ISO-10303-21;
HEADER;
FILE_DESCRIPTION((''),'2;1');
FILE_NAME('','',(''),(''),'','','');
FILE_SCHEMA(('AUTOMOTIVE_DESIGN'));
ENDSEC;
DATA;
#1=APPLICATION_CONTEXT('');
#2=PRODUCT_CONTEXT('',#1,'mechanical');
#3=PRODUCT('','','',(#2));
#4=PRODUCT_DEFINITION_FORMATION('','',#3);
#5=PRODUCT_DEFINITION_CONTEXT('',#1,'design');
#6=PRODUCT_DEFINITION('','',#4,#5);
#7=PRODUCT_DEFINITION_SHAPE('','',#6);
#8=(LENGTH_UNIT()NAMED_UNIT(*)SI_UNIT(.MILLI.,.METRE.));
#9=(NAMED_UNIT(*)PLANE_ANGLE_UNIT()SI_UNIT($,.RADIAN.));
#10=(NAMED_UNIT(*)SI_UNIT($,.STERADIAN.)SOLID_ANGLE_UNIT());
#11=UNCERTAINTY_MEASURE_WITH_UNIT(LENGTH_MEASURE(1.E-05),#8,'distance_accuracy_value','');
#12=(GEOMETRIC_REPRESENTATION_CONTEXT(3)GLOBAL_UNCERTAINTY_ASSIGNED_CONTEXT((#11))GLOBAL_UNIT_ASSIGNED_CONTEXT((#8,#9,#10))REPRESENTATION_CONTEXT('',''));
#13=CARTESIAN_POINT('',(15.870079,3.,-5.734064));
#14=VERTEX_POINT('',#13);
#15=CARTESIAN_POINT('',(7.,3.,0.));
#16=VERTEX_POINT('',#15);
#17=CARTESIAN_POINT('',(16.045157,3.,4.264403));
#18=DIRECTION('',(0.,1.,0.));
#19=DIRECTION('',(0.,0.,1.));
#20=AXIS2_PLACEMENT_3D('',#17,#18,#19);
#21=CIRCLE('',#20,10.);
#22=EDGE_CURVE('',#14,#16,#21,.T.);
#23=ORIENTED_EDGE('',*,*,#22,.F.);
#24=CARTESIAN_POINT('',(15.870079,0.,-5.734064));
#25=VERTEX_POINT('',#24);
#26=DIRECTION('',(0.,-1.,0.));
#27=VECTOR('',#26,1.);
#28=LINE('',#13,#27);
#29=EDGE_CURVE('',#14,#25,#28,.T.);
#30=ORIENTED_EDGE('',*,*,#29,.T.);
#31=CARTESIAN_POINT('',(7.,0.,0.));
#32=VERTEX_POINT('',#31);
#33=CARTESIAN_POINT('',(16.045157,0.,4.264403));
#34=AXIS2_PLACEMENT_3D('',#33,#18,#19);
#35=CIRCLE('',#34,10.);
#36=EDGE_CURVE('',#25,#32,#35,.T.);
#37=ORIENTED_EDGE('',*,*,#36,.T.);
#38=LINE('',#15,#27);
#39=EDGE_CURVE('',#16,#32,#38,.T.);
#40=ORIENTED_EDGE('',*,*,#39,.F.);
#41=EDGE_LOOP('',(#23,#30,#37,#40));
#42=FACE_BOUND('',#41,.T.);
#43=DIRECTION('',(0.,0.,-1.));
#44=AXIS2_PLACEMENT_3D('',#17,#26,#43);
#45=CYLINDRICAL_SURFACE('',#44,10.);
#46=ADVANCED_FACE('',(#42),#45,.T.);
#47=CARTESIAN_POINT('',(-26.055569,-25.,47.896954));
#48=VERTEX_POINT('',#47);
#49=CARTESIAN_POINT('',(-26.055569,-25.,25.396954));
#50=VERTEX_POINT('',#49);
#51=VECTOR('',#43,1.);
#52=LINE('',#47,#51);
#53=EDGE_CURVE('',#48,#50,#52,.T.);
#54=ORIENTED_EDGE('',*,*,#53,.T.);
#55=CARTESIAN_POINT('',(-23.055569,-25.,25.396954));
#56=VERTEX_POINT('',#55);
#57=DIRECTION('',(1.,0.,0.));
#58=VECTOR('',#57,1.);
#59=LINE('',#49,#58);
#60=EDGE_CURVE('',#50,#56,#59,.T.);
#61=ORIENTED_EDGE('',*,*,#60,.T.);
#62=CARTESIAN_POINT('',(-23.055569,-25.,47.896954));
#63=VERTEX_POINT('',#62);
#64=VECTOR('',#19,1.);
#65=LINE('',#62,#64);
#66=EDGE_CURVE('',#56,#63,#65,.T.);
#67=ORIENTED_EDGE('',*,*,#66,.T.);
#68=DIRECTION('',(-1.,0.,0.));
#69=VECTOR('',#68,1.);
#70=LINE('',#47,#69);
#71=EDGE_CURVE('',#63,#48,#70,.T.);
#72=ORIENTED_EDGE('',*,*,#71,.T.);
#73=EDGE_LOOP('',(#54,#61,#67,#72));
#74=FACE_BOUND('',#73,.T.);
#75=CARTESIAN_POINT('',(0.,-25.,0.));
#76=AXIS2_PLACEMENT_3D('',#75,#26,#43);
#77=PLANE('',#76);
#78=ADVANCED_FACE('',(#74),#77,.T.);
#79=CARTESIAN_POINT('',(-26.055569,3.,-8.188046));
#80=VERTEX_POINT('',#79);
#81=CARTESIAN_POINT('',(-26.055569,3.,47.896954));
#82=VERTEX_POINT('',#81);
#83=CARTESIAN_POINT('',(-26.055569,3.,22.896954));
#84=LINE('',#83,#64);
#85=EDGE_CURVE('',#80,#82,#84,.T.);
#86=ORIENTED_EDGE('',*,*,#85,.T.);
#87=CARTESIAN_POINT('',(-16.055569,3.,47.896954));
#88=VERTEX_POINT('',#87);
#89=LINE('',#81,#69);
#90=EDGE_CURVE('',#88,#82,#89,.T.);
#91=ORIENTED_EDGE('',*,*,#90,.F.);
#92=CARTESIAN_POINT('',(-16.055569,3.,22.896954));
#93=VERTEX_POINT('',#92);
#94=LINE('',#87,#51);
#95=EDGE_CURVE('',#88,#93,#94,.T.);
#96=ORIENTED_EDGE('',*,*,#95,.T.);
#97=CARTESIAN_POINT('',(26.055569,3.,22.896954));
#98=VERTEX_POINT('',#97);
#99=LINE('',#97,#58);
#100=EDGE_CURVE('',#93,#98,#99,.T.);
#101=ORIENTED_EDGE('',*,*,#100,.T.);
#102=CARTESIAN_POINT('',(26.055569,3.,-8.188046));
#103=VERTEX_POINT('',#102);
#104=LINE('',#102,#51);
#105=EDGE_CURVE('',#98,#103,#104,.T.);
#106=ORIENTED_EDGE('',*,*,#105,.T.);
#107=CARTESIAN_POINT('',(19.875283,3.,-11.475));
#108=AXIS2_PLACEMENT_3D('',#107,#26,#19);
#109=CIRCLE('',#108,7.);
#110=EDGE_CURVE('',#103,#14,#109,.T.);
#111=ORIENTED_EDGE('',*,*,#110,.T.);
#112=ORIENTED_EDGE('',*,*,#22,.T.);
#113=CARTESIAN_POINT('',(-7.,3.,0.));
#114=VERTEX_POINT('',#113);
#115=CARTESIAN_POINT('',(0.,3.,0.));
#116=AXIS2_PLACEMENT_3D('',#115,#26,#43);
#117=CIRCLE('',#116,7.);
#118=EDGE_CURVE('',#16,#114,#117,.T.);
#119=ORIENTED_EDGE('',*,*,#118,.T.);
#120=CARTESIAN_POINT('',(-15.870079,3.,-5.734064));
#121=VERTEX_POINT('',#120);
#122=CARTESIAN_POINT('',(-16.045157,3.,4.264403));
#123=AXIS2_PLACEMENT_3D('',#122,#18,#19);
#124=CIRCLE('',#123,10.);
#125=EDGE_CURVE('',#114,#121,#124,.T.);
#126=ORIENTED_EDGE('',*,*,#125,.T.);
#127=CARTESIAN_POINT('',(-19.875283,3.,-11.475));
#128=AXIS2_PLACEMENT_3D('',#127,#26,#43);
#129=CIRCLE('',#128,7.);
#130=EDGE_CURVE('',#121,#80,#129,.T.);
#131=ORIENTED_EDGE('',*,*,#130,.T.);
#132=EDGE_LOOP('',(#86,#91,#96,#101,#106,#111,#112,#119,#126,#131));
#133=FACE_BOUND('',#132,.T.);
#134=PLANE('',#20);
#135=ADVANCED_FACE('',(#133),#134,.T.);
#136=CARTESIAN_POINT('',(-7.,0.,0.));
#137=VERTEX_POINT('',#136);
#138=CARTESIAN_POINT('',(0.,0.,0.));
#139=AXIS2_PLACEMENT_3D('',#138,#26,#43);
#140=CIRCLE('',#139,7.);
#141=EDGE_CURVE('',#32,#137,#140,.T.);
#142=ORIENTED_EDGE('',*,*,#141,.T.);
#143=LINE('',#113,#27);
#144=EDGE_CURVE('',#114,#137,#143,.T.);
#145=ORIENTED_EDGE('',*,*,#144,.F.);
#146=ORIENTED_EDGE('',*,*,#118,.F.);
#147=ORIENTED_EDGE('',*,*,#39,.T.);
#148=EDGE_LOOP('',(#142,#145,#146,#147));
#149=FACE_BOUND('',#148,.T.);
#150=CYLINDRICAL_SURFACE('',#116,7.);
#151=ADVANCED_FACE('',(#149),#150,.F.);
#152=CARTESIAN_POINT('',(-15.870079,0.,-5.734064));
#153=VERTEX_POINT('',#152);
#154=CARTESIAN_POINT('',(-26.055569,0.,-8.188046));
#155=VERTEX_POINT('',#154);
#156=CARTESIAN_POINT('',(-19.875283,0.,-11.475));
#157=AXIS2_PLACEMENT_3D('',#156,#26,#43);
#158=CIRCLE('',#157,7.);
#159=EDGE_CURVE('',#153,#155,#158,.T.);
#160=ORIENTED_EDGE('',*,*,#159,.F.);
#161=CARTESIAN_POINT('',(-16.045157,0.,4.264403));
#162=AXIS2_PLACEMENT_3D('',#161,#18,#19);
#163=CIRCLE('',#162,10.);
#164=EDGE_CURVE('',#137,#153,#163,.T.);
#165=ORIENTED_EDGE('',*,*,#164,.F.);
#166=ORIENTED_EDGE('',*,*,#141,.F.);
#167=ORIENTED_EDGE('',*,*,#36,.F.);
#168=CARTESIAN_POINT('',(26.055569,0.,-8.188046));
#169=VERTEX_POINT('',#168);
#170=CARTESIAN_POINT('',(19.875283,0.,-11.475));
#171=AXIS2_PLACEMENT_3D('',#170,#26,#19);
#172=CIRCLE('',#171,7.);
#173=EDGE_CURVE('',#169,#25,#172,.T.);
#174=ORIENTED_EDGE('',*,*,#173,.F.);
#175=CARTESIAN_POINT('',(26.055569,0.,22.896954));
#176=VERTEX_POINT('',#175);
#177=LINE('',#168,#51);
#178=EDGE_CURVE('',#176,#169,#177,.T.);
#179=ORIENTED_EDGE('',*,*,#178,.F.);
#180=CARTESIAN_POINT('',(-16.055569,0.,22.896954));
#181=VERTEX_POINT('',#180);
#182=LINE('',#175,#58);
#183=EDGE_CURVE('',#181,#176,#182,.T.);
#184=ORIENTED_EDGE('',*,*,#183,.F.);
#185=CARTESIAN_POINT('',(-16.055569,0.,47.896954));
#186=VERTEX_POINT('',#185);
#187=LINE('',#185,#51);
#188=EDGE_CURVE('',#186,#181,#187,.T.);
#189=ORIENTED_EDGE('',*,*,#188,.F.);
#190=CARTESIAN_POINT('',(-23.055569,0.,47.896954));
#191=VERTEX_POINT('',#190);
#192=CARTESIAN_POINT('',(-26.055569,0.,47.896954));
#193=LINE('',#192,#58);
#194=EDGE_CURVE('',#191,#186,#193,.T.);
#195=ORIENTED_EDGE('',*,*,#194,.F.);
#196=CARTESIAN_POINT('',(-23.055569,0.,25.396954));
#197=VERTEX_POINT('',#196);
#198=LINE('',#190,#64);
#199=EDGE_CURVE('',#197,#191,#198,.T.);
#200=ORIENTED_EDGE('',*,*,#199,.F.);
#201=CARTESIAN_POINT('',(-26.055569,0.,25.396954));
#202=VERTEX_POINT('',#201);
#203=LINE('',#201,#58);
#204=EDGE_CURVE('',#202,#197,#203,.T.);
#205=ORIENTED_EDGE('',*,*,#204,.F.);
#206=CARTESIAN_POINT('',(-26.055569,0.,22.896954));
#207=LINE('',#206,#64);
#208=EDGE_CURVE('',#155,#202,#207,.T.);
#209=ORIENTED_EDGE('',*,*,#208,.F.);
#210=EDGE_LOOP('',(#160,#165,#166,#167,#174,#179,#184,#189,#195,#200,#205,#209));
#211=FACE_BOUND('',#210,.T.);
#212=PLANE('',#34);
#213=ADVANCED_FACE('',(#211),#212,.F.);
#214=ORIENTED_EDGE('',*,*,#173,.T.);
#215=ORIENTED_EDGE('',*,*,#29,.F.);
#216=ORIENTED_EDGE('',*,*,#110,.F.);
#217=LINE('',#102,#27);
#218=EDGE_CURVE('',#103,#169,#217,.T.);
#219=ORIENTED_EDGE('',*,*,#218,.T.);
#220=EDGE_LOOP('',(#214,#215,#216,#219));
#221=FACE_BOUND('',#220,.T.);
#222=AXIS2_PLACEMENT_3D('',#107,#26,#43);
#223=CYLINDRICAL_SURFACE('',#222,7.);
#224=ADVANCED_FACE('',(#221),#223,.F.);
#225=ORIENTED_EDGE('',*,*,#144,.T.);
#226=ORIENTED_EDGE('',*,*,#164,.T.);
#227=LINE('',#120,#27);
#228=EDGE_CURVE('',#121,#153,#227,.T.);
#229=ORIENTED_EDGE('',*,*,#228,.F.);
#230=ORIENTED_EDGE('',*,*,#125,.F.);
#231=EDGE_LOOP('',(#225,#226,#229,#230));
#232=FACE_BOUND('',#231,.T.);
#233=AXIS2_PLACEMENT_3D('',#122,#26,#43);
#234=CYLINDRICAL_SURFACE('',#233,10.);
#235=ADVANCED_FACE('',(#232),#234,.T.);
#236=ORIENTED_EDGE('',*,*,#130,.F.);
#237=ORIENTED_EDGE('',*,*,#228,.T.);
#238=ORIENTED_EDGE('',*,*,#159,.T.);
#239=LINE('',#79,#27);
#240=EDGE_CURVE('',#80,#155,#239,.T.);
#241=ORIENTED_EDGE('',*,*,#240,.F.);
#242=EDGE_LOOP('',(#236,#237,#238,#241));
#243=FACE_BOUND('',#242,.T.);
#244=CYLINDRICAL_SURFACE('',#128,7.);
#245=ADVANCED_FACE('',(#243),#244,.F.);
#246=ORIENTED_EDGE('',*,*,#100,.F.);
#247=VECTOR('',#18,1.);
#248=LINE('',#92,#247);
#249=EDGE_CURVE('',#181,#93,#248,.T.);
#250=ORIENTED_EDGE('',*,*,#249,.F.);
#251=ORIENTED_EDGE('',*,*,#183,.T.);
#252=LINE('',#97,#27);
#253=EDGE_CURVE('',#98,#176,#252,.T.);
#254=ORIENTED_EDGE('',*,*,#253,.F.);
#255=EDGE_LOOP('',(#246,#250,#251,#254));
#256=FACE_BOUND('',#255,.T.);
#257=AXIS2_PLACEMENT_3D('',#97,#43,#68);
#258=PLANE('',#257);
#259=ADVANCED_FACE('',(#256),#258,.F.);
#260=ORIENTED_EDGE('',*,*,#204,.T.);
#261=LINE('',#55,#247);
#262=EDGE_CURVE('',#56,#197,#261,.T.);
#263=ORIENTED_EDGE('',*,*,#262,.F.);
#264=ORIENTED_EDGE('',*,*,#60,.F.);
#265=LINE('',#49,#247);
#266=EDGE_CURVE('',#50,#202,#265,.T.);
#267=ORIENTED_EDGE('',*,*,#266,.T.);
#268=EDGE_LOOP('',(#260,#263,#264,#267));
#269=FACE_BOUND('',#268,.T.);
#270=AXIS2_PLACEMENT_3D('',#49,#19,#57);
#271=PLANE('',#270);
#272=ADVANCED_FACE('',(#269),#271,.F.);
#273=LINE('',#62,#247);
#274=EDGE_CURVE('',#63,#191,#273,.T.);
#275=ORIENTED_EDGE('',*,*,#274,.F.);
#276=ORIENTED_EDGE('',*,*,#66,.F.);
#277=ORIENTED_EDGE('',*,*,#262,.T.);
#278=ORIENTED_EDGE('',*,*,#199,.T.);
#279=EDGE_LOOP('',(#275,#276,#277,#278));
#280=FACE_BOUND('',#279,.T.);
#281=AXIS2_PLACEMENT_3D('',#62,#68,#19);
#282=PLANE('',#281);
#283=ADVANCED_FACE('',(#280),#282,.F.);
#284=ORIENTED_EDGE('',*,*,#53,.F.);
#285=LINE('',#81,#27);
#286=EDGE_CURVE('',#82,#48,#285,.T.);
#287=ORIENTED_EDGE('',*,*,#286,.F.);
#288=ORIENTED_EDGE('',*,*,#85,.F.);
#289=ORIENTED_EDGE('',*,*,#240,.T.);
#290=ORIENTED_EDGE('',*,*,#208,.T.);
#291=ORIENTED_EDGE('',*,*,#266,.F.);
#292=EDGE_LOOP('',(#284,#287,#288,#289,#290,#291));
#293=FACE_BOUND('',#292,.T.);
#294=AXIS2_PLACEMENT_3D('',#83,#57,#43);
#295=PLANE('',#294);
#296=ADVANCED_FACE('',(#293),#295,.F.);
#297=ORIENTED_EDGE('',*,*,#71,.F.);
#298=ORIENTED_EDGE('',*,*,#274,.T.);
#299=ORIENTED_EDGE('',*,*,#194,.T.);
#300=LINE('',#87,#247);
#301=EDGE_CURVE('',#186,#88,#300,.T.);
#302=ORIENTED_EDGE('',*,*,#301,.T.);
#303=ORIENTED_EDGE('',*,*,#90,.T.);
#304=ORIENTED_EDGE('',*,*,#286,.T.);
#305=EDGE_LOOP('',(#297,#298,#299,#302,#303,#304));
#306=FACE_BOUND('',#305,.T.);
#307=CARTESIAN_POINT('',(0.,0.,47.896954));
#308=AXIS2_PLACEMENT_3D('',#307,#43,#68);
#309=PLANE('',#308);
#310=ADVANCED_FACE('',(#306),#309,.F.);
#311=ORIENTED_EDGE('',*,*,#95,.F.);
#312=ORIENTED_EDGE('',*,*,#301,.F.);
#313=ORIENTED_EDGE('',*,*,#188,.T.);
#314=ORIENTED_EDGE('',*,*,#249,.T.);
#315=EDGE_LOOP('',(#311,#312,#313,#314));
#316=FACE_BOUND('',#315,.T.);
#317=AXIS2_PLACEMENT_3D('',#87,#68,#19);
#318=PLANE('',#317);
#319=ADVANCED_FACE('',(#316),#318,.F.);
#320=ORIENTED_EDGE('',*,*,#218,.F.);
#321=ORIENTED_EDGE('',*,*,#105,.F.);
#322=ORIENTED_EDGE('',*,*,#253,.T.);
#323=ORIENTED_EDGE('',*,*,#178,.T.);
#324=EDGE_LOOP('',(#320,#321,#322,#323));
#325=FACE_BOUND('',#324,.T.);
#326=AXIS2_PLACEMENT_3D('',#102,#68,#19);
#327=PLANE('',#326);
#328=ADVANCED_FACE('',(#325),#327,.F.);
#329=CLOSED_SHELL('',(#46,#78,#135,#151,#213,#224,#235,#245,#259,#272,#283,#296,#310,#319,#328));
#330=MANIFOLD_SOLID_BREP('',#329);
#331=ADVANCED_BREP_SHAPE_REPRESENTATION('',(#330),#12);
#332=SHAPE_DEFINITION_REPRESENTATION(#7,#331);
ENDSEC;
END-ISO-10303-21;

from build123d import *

# Parameters (mm, degrees)
BOSS_EXTRUDE1_DEPTH = 3
SKETCH3_W           = 10
SKETCH3_H           = 3
BOSS_EXTRUDE2_DEPTH = 25
SKETCH4_W           = 3
SKETCH4_H           = 22.5
BOSS_EXTRUDE3_DEPTH = 25


with BuildPart() as part:
    # Sketch2 → Boss-Extrude1 (new body)
    with BuildSketch(Plane(origin=(0, 0, 0), x_dir=(1, 0, 0), z_dir=(0, 1, 0))):
        with BuildLine():
            Line((26.055569119, 8.188046441), (26.055569119, -22.896953559))
            Line((26.055569119, -22.896953559), (-26.055569119, -22.896953559))
            Line((-26.055569119, -22.896953559), (-26.055569119, 8.188046441))
            ThreePointArc((-26.055569119, 8.188046441), (-21.514872246, 4.669726518), (-15.870079226, 5.73406431))
            ThreePointArc((-15.870079226, 5.73406431), (-10.616247764, 4.133629141), (-7, 0))
            ThreePointArc((-7, 0), (0, -7), (7, 0))
            ThreePointArc((7, 0), (10.616247764, 4.133629141), (15.870079226, 5.73406431))
            ThreePointArc((15.870079226, 5.73406431), (21.514872246, 4.669726518), (26.055569119, 8.188046441))
        make_face()
    extrude(amount=BOSS_EXTRUDE1_DEPTH)

    # Sketch3 → Boss-Extrude2 (add)
    with BuildSketch(Plane.XY.offset(22.896953559)):
        with Locations((-21.055569119, 1.5)):
            Rectangle(SKETCH3_W, SKETCH3_H)
    extrude(amount=BOSS_EXTRUDE2_DEPTH)

    # Sketch4 → Boss-Extrude3 (add)
    with BuildSketch(Plane.XZ):
        with Locations((-24.555569119, 36.646953559)):
            Rectangle(SKETCH4_W, SKETCH4_H)
    extrude(amount=BOSS_EXTRUDE3_DEPTH)


solid = part.part
